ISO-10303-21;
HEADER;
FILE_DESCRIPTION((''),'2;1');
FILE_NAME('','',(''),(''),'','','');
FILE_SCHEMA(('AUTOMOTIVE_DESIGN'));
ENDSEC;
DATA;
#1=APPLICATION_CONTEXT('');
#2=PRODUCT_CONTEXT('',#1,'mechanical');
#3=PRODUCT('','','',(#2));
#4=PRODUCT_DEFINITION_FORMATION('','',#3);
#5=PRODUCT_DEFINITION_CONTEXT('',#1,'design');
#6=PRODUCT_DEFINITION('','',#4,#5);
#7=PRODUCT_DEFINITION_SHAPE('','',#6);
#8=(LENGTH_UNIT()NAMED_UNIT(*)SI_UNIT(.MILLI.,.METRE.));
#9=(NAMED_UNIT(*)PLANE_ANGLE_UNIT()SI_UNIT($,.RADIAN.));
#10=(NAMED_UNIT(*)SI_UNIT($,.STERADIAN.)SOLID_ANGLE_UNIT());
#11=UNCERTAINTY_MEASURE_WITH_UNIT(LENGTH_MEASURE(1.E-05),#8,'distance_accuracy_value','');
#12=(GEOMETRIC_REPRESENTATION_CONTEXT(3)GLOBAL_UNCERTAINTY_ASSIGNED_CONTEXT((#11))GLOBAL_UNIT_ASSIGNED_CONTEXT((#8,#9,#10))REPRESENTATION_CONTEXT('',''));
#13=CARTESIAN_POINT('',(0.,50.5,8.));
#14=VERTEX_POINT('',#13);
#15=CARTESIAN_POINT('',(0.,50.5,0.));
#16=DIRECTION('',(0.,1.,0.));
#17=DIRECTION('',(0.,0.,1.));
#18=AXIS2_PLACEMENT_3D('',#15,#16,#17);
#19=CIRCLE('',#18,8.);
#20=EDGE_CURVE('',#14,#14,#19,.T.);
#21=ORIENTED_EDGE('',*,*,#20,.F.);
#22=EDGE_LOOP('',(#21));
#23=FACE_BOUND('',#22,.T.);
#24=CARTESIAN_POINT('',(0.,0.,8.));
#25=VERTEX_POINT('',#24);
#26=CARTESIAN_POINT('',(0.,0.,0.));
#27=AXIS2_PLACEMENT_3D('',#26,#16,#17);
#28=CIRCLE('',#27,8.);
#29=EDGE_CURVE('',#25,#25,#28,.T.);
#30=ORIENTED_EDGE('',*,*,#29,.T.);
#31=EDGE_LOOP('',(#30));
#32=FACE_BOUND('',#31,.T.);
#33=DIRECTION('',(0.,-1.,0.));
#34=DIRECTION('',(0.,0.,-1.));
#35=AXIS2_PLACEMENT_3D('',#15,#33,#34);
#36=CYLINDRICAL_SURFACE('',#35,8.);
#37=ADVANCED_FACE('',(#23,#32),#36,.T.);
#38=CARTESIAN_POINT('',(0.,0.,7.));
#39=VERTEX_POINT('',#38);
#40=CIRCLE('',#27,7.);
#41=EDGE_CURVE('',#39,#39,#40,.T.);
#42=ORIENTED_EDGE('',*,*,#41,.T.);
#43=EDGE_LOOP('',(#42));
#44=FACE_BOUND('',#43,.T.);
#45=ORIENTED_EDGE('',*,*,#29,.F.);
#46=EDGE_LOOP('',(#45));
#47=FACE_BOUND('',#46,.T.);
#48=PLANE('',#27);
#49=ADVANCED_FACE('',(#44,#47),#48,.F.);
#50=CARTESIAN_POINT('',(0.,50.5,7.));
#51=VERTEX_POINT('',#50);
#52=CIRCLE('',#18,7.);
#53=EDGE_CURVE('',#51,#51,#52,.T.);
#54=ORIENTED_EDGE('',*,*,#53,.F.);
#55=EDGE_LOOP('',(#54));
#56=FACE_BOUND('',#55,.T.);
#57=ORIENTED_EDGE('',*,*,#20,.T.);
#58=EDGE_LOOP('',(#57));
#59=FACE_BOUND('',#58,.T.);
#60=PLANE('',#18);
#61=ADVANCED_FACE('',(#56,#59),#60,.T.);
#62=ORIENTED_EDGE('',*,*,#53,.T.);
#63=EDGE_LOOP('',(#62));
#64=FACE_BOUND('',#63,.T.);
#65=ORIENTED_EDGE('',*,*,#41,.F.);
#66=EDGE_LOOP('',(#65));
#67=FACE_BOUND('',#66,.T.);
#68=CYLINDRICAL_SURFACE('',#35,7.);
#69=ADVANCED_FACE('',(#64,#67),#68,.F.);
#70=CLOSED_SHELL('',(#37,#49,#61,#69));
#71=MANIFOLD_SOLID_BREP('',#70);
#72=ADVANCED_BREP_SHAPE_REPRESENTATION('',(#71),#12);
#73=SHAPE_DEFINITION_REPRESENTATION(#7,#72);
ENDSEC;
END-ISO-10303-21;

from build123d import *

# Parameters (mm, degrees)
SKETCH1_R           = 8
SKETCH1_R_2         = 7
BOSS_EXTRUDE1_DEPTH = 50.5


with BuildPart() as part:
    # Sketch1 → Boss-Extrude1 (new body)
    with BuildSketch(Plane(origin=(0, 0, 0), x_dir=(1, 0, 0), z_dir=(0, 1, 0))):
        with Locations(Location((0, 0, 0), (0, 0, 270))):
            Circle(SKETCH1_R)
        with Locations(Location((0, 0, 0), (0, 0, 270))):
            Circle(SKETCH1_R_2, mode=Mode.SUBTRACT)
    extrude(amount=BOSS_EXTRUDE1_DEPTH)


solid = part.part
